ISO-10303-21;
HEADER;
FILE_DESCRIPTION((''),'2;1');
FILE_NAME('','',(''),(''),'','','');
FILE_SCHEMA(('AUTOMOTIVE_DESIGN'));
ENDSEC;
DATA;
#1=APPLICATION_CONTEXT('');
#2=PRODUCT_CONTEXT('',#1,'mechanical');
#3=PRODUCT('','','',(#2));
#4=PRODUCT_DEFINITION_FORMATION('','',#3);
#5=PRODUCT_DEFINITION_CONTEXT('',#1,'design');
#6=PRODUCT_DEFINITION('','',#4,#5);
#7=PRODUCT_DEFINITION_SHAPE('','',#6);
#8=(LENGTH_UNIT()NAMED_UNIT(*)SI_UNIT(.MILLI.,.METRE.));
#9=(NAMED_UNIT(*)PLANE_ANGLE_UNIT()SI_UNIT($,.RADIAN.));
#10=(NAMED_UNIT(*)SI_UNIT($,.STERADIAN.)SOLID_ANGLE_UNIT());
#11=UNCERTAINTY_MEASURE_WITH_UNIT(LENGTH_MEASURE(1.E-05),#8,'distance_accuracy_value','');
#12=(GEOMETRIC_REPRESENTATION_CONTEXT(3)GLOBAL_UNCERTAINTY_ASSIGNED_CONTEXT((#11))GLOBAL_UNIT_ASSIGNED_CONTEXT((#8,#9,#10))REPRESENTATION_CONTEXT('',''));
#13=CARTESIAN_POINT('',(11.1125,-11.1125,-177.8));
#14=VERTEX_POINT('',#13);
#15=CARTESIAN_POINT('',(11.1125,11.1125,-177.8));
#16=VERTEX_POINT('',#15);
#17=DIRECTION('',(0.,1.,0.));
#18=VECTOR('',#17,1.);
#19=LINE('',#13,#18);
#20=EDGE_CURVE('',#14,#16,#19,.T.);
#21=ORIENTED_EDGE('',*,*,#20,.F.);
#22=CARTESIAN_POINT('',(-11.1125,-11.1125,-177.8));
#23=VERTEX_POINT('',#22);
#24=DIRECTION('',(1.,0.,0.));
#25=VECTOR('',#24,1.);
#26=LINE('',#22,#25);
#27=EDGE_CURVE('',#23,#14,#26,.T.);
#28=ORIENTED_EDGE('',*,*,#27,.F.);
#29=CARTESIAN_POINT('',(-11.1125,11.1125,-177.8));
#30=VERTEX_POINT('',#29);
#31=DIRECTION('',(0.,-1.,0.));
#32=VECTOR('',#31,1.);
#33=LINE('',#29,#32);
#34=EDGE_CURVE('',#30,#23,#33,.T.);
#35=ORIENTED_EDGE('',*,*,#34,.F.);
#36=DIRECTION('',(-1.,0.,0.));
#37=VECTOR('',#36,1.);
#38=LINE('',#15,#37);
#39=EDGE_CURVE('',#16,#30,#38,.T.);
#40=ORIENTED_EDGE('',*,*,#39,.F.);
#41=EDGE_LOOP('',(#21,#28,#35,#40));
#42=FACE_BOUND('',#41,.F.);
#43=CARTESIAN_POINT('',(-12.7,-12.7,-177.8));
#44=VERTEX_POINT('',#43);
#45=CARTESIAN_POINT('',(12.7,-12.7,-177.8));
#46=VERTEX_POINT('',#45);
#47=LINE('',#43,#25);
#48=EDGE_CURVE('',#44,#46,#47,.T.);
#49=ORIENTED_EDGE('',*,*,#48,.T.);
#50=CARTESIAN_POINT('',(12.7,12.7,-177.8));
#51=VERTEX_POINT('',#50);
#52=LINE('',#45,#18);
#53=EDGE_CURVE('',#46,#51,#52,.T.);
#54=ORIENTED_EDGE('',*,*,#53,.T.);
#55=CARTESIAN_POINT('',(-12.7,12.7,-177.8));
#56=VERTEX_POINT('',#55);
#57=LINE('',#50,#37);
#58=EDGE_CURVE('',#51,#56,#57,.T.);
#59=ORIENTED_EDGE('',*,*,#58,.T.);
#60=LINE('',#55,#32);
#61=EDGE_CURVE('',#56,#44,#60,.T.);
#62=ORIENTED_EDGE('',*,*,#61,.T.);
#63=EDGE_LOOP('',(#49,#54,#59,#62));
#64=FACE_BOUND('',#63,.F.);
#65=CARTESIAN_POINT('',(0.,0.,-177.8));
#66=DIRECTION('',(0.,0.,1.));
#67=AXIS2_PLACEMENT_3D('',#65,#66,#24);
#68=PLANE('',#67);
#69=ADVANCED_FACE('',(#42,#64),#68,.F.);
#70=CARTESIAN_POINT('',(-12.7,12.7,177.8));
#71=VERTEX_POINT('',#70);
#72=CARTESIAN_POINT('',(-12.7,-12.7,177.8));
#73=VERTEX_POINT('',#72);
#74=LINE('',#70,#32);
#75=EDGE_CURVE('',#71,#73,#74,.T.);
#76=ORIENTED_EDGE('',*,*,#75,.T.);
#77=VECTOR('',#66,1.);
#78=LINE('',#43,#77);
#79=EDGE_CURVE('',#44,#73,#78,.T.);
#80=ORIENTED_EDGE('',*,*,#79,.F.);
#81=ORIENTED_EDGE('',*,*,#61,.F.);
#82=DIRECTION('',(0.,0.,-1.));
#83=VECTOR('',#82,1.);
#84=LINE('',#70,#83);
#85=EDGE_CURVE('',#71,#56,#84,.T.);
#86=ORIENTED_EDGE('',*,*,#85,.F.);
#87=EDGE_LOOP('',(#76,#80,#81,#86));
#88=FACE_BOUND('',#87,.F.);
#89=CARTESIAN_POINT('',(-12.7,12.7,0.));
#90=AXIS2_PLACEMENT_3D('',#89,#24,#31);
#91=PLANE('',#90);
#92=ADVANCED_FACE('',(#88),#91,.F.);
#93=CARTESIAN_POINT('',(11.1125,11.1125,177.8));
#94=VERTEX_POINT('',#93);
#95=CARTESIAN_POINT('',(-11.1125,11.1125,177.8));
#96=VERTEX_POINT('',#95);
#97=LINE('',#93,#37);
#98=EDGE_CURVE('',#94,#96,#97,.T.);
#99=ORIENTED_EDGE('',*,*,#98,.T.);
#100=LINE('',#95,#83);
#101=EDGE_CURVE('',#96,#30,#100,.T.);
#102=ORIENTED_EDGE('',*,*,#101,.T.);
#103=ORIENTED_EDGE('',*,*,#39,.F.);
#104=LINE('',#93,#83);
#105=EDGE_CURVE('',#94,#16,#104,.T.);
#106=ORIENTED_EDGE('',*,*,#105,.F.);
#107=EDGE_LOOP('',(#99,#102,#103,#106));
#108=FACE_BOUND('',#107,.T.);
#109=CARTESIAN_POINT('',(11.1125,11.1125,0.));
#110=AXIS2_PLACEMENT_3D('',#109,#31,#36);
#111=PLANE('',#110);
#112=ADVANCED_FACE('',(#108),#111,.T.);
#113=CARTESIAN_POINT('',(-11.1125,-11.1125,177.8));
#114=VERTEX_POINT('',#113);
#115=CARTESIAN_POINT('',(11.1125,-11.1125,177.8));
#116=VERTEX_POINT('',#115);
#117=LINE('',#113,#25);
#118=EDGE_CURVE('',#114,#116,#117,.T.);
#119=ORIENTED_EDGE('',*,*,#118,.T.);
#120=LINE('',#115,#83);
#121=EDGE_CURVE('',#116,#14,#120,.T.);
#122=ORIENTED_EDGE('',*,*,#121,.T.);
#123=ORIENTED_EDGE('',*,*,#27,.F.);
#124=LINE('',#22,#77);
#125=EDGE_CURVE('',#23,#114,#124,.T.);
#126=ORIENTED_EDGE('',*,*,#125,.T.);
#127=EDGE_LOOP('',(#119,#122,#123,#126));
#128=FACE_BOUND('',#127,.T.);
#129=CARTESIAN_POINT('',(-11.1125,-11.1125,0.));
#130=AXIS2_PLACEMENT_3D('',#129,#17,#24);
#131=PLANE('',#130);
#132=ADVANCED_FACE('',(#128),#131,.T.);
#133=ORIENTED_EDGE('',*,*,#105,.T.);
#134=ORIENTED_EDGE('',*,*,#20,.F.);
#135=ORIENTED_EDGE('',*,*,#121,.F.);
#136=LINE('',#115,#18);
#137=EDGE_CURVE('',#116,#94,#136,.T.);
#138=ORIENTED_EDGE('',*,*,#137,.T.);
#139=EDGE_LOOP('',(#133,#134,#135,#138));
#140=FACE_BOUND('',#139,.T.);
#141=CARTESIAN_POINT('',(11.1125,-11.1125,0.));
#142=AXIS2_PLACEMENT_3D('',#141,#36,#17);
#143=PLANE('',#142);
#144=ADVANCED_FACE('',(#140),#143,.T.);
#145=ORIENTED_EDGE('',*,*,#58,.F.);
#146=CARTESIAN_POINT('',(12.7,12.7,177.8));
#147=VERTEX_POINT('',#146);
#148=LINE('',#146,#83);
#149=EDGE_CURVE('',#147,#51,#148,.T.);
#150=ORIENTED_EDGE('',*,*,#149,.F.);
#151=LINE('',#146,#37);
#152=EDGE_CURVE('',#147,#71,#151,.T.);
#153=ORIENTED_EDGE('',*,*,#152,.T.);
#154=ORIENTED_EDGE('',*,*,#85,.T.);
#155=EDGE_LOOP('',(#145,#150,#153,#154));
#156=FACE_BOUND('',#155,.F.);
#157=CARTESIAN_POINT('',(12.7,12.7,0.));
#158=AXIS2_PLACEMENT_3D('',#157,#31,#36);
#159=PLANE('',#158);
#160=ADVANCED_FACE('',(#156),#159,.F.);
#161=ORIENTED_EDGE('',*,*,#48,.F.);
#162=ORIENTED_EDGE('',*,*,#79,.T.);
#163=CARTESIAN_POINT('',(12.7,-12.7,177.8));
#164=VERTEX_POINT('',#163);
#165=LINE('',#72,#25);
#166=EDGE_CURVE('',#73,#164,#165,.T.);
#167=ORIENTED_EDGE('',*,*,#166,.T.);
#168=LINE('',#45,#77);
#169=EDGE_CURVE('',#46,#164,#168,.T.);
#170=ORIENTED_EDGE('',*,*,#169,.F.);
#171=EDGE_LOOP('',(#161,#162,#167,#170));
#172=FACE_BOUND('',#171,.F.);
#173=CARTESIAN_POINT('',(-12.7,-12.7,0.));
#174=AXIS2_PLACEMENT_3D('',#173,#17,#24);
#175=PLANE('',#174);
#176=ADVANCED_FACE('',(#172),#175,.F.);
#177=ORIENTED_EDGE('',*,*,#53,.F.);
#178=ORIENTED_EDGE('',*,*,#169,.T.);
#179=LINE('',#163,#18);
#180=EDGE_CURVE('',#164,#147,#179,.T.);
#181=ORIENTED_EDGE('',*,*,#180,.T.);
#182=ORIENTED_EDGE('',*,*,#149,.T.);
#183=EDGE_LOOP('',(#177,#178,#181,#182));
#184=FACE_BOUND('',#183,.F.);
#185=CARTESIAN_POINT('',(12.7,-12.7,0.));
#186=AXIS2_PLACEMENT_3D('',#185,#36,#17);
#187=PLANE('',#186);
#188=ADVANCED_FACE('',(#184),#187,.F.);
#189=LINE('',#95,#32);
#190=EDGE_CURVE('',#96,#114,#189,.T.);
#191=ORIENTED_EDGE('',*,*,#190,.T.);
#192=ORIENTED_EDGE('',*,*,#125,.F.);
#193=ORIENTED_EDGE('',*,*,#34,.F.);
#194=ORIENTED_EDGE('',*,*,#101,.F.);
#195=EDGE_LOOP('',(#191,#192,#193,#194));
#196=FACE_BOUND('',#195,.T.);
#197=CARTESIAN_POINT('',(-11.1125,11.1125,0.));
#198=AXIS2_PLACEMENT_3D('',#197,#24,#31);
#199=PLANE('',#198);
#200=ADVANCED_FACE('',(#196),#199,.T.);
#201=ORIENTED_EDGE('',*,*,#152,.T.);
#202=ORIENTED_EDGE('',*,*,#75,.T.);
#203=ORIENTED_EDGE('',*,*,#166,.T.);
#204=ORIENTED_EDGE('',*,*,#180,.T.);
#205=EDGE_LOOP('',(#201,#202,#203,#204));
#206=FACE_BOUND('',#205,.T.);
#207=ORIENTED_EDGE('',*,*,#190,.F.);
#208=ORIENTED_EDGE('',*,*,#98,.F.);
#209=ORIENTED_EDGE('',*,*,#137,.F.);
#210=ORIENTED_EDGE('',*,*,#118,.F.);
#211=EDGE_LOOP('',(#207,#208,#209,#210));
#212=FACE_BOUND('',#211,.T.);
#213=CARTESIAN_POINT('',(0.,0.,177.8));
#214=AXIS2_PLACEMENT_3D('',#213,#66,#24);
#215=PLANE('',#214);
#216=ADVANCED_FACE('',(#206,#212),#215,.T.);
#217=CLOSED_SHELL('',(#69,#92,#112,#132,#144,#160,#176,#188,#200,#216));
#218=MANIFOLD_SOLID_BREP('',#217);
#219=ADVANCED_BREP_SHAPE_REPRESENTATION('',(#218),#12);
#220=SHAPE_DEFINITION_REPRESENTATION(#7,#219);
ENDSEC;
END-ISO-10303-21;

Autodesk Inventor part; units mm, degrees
ref_plane "YZ Plane" through (0, 0, 0) normal (1, 0, 0) x (0, 1, 0)
ref_plane "XZ Plane" through (0, 0, 0) normal (0, 1, 0) x (-1, 0, 0)
ref_plane "XY Plane" through (0, 0, 0) normal (0, 0, 1) x (1, 0, 0)
sketch "Sketch1" plane through (0, 0, 0) normal (0, 0, 1) x (1, 0, 0)
  line L0 (-12.7, -12.7) -> (12.7, -12.7)
  line L1 (12.7, -12.7) -> (12.7, 12.7)
  line L2 (12.7, 12.7) -> (-12.7, 12.7)
  line L3 (-12.7, 12.7) -> (-12.7, -12.7)
  line L4 (-12.7, -12.7) -> (12.7, 12.7) construction
  line L5 (12.7, -12.7) -> (-12.7, 12.7) construction
  line L6 (-11.1125, -11.1125) -> (11.1125, -11.1125)
  line L7 (11.1125, -11.1125) -> (11.1125, 11.1125)
  line L8 (11.1125, 11.1125) -> (-11.1125, 11.1125)
  line L9 (-11.1125, 11.1125) -> (-11.1125, -11.1125)
  line L10 (-11.1125, -11.1125) -> (11.1125, 11.1125) construction
  line L11 (11.1125, -11.1125) -> (-11.1125, 11.1125) construction
  point P0 (0, 0)
  dimension "d0" = 25.4
  dimension "d1" = 25.4
  dimension "d2" = 1.5875
extrude "Extrusion1" add sketch "Sketch1" along normal mid plane 355.6
properties part number "Front lift arm cross" material "Aluminum 6061"
